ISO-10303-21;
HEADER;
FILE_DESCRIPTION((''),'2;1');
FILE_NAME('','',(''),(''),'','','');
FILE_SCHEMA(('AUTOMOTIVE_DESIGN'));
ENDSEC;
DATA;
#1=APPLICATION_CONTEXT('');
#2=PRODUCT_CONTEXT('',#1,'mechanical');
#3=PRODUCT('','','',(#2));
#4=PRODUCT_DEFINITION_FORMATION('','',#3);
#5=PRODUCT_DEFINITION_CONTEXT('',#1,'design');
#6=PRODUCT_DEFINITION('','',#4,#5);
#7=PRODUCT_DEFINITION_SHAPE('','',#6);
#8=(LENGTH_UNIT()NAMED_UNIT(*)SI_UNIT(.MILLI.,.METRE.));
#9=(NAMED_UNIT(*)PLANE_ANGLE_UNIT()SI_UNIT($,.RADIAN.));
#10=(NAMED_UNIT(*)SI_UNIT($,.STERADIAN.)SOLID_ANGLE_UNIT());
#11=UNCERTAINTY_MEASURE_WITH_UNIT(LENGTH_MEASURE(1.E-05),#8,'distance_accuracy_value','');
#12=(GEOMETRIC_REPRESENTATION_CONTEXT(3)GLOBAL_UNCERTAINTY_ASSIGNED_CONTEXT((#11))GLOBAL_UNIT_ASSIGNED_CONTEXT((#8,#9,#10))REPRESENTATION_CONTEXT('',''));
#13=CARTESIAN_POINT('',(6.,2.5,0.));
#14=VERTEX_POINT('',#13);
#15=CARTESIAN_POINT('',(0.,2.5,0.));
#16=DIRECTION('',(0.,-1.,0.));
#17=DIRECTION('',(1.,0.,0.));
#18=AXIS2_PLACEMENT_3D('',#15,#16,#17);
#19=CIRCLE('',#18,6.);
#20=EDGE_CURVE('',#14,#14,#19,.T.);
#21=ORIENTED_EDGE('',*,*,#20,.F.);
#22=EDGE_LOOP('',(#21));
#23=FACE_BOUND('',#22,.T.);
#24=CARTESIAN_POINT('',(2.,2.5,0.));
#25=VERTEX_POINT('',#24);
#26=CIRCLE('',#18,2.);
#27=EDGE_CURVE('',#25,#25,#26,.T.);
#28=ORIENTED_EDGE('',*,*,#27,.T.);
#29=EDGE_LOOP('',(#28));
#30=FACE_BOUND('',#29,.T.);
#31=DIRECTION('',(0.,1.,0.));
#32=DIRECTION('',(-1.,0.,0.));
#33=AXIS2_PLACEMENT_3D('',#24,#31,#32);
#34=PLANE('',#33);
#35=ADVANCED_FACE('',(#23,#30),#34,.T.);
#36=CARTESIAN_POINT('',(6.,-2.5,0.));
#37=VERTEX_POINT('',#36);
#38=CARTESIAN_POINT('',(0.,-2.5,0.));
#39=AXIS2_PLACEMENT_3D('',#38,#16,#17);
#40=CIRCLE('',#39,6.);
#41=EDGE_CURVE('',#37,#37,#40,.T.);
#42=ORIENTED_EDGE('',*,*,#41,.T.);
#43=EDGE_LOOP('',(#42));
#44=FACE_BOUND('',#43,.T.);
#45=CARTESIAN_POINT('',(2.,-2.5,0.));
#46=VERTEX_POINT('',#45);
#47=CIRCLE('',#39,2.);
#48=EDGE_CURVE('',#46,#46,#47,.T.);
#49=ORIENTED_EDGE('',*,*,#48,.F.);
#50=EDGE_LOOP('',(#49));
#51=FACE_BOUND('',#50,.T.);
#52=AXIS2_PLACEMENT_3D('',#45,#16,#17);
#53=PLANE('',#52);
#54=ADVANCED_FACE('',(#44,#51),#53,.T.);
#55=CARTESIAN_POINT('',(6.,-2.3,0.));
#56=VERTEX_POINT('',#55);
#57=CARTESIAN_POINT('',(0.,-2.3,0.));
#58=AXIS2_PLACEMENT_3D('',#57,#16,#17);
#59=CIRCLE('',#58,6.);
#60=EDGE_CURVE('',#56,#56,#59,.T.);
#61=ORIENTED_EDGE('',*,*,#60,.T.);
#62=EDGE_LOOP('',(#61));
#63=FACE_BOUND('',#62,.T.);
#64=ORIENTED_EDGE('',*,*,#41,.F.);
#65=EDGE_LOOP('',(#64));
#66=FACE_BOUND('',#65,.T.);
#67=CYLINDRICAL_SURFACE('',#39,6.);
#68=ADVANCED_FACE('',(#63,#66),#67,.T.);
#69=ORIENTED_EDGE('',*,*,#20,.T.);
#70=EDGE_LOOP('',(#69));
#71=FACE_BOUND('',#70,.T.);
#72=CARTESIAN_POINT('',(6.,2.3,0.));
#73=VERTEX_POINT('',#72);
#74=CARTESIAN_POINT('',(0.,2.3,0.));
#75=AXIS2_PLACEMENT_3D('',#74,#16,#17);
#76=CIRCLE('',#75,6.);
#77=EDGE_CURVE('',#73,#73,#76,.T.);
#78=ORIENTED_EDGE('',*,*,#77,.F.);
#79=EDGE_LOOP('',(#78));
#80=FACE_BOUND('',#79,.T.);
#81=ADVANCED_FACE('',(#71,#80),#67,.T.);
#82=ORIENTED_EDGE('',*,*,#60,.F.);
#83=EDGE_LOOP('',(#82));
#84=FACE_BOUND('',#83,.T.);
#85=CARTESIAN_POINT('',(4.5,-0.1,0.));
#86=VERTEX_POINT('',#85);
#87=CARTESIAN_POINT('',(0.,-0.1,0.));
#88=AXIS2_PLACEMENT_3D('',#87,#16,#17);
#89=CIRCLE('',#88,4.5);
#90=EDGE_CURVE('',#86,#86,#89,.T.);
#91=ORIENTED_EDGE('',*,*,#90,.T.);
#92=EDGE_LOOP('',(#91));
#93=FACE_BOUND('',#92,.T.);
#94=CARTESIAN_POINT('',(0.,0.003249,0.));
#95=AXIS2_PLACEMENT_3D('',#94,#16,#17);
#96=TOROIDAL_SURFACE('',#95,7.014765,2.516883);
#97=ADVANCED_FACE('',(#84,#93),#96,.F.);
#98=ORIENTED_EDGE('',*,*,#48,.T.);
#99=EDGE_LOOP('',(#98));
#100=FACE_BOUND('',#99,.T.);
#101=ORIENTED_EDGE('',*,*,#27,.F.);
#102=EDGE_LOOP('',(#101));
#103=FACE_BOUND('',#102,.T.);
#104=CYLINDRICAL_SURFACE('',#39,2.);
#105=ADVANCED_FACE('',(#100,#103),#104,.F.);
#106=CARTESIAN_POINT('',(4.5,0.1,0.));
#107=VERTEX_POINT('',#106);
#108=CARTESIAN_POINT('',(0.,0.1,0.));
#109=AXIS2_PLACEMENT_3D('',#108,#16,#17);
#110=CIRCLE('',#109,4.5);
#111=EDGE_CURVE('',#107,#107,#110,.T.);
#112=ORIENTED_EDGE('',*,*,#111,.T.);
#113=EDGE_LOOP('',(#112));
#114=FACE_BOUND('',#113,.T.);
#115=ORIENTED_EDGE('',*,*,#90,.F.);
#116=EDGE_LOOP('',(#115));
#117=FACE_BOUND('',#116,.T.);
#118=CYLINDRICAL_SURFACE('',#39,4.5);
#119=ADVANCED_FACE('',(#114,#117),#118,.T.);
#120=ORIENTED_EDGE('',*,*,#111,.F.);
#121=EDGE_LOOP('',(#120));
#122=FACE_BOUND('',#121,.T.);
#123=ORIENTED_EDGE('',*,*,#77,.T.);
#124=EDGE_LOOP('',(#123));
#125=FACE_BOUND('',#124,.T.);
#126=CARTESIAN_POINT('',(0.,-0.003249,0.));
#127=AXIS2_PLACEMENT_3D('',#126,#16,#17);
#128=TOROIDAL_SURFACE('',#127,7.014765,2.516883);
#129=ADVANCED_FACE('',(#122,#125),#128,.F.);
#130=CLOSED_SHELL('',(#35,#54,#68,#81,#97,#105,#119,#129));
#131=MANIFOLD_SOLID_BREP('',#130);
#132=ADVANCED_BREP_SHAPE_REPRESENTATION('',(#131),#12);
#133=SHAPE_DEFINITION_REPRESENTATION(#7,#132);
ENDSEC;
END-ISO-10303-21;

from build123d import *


with BuildPart() as part:
    # Sketch2 → Revolve1 (revolve)
    with BuildSketch(Plane.XY):
        with BuildLine():
            Line((2, 2.5), (2, -2.5))
            Line((2, -2.5), (6, -2.5))
            Line((6, -2.5), (6, -2.3))
            ThreePointArc((6, -2.3), (4.935246844, -1.414604424), (4.5, -0.1))
            Line((4.5, -0.1), (4.5, 0.1))
            ThreePointArc((4.5, 0.1), (4.935246844, 1.414604424), (6, 2.3))
            Line((6, 2.3), (6, 2.5))
            Line((6, 2.5), (2, 2.5))
        make_face()
    revolve(axis=Axis((0, -2.5, 0), (0, 1, 0)))


solid = part.part
